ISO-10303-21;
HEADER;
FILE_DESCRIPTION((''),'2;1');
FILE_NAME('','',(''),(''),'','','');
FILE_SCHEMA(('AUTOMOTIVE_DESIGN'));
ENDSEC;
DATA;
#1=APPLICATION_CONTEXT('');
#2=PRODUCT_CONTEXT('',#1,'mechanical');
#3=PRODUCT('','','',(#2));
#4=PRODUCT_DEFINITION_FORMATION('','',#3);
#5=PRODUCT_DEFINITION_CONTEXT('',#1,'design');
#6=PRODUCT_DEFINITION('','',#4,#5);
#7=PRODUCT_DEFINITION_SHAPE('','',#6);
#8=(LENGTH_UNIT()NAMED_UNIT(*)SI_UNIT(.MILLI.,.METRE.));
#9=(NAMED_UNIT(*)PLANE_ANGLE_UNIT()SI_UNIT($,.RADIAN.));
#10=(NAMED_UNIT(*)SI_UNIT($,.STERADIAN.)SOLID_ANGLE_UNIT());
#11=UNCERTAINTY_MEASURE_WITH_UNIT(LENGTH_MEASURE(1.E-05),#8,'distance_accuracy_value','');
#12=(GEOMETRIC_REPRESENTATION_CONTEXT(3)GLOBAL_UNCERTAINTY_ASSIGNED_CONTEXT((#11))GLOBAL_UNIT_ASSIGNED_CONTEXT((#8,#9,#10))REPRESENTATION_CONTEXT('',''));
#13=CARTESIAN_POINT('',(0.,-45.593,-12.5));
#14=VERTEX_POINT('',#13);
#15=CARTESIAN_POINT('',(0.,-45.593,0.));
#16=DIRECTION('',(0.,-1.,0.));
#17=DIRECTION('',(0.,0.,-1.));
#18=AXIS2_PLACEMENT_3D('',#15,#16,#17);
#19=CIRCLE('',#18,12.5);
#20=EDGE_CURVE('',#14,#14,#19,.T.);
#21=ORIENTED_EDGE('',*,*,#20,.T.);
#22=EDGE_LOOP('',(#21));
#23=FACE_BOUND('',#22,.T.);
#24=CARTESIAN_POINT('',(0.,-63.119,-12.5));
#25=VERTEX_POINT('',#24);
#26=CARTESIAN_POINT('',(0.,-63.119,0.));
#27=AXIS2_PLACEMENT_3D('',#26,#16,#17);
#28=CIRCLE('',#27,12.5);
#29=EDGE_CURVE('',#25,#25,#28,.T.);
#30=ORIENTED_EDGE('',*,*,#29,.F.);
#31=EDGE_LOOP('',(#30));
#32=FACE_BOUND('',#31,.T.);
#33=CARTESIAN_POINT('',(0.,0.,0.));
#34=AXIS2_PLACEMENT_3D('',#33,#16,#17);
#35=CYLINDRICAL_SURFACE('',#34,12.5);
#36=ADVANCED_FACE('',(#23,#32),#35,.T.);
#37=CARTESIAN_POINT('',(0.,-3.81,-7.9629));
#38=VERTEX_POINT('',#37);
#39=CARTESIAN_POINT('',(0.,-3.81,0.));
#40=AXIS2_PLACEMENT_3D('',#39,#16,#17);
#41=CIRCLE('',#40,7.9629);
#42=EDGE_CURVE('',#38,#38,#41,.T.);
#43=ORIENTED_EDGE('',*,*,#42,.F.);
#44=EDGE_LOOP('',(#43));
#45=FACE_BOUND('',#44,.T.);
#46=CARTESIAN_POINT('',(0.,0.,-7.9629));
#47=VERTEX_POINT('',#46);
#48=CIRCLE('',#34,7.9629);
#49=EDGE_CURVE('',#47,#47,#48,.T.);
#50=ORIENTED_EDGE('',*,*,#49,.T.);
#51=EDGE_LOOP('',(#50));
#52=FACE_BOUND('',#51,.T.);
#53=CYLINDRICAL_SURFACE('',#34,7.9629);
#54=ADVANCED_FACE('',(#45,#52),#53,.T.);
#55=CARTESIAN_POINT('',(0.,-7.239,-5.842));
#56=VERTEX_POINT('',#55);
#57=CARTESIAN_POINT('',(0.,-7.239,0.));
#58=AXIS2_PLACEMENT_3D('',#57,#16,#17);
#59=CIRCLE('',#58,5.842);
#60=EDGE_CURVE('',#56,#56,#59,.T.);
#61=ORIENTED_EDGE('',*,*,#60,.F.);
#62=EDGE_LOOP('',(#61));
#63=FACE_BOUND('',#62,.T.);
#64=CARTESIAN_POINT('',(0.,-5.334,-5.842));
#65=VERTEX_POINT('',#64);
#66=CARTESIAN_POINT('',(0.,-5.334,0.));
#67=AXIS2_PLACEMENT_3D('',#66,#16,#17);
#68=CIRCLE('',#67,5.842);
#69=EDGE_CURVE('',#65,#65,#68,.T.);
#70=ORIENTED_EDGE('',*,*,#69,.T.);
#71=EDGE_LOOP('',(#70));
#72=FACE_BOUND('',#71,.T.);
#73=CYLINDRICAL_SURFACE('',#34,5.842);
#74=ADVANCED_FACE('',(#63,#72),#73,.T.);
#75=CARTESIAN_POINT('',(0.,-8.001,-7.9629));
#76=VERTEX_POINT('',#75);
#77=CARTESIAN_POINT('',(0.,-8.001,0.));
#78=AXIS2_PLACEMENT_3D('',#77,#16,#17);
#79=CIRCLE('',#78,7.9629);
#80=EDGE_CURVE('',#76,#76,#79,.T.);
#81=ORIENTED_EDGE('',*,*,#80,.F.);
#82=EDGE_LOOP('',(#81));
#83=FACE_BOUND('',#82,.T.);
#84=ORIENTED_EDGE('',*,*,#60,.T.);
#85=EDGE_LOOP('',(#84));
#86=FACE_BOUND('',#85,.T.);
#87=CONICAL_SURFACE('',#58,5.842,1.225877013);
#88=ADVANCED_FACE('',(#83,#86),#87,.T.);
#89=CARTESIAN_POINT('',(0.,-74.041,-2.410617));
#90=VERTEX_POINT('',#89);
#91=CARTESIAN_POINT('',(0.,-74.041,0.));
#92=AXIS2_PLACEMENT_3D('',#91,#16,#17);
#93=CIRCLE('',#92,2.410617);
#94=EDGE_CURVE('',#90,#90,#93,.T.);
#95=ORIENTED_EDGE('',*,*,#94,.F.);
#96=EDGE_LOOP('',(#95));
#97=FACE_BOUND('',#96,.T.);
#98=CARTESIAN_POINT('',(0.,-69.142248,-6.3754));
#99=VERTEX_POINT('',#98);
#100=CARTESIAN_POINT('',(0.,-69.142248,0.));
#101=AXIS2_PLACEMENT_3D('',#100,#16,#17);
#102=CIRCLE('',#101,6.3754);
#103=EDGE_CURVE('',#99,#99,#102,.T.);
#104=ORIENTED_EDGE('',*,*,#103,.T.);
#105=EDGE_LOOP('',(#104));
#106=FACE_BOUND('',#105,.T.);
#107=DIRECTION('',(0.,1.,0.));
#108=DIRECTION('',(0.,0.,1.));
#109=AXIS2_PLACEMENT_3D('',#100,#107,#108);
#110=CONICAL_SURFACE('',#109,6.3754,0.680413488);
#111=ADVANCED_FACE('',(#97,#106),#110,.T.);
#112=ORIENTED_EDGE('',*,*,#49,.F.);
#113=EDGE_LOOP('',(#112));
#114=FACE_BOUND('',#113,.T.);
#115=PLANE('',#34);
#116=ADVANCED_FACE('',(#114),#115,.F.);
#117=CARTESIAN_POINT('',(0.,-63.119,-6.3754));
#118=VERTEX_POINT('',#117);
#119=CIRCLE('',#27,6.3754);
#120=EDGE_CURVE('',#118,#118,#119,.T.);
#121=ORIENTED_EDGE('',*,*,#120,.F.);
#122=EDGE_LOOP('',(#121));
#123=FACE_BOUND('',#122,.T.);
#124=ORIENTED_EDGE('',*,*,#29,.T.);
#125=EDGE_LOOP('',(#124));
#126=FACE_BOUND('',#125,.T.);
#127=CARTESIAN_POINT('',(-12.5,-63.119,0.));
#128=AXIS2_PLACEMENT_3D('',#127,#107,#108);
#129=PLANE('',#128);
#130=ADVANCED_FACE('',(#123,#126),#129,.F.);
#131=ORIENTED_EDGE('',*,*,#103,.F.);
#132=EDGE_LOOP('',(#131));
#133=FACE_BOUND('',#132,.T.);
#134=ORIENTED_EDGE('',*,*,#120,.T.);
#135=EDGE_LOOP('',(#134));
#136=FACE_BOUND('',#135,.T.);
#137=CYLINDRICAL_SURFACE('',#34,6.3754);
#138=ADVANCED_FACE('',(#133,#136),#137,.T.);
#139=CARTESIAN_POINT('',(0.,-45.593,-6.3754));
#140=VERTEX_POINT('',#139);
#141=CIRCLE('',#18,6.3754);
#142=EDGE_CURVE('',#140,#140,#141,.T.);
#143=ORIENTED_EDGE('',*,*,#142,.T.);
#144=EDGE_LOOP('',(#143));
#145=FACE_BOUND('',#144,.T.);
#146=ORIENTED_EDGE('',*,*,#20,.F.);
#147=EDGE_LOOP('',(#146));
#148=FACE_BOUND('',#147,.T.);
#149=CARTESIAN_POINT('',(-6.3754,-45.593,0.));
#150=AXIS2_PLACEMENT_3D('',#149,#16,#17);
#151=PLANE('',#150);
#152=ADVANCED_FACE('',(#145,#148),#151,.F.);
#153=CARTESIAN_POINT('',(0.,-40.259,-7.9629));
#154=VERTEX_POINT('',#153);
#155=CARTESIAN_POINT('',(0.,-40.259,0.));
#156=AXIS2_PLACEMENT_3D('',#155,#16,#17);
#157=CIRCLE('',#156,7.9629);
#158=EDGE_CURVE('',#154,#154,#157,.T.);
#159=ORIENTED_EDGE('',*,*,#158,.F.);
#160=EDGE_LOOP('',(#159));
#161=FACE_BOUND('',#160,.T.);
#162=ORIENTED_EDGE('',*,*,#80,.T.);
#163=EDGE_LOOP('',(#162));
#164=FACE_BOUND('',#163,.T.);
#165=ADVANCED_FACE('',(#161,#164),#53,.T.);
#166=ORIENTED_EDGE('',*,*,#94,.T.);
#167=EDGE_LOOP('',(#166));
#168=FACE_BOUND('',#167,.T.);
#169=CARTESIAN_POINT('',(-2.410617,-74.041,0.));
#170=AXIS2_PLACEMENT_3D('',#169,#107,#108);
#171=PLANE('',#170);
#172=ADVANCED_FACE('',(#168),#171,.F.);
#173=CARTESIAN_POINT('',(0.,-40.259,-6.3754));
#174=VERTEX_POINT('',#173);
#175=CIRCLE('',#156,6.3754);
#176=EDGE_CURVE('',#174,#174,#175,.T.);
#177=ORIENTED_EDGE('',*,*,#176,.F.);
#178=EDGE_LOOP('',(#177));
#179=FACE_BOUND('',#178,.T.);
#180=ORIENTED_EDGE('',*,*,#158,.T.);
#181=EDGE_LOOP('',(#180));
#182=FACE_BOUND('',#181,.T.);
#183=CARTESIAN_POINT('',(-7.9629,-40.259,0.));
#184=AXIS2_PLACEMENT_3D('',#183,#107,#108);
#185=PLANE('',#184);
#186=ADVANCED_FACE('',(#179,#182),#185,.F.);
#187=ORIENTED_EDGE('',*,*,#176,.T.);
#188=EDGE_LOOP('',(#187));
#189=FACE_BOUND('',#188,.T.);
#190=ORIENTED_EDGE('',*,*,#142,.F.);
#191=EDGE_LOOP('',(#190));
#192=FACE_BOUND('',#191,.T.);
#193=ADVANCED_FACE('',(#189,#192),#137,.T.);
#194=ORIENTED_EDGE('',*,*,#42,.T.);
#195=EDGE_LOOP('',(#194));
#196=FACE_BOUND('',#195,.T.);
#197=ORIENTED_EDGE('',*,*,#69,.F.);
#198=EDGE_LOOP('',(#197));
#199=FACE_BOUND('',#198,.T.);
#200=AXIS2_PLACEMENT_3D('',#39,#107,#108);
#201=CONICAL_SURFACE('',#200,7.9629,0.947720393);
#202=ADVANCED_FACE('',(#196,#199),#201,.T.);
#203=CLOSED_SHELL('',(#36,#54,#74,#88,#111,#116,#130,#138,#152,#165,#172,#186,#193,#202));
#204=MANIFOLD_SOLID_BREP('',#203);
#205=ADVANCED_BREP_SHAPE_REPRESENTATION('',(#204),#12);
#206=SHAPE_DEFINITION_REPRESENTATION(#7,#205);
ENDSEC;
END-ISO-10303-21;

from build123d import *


with BuildPart() as part:
    # Sketch1 → Revolve1 (revolve)
    with BuildSketch(Plane.XY):
        Polygon((0, 0), (-7.9629, 0), (-7.9629, -3.81), (-5.842, -5.334), (-5.842, -7.239), (-7.9629, -8.001), (-7.9629, -40.259), (-6.3754, -40.259), (-6.3754, -45.593), (-12.5, -45.593), (-12.5, -63.119), (-6.3754, -63.119), (-6.3754, -69.142247751), (-2.410616984, -74.041), (0, -74.041), align=None)
    revolve(axis=Axis((0, 0, 0), (0, 1, 0)))


solid = part.part
